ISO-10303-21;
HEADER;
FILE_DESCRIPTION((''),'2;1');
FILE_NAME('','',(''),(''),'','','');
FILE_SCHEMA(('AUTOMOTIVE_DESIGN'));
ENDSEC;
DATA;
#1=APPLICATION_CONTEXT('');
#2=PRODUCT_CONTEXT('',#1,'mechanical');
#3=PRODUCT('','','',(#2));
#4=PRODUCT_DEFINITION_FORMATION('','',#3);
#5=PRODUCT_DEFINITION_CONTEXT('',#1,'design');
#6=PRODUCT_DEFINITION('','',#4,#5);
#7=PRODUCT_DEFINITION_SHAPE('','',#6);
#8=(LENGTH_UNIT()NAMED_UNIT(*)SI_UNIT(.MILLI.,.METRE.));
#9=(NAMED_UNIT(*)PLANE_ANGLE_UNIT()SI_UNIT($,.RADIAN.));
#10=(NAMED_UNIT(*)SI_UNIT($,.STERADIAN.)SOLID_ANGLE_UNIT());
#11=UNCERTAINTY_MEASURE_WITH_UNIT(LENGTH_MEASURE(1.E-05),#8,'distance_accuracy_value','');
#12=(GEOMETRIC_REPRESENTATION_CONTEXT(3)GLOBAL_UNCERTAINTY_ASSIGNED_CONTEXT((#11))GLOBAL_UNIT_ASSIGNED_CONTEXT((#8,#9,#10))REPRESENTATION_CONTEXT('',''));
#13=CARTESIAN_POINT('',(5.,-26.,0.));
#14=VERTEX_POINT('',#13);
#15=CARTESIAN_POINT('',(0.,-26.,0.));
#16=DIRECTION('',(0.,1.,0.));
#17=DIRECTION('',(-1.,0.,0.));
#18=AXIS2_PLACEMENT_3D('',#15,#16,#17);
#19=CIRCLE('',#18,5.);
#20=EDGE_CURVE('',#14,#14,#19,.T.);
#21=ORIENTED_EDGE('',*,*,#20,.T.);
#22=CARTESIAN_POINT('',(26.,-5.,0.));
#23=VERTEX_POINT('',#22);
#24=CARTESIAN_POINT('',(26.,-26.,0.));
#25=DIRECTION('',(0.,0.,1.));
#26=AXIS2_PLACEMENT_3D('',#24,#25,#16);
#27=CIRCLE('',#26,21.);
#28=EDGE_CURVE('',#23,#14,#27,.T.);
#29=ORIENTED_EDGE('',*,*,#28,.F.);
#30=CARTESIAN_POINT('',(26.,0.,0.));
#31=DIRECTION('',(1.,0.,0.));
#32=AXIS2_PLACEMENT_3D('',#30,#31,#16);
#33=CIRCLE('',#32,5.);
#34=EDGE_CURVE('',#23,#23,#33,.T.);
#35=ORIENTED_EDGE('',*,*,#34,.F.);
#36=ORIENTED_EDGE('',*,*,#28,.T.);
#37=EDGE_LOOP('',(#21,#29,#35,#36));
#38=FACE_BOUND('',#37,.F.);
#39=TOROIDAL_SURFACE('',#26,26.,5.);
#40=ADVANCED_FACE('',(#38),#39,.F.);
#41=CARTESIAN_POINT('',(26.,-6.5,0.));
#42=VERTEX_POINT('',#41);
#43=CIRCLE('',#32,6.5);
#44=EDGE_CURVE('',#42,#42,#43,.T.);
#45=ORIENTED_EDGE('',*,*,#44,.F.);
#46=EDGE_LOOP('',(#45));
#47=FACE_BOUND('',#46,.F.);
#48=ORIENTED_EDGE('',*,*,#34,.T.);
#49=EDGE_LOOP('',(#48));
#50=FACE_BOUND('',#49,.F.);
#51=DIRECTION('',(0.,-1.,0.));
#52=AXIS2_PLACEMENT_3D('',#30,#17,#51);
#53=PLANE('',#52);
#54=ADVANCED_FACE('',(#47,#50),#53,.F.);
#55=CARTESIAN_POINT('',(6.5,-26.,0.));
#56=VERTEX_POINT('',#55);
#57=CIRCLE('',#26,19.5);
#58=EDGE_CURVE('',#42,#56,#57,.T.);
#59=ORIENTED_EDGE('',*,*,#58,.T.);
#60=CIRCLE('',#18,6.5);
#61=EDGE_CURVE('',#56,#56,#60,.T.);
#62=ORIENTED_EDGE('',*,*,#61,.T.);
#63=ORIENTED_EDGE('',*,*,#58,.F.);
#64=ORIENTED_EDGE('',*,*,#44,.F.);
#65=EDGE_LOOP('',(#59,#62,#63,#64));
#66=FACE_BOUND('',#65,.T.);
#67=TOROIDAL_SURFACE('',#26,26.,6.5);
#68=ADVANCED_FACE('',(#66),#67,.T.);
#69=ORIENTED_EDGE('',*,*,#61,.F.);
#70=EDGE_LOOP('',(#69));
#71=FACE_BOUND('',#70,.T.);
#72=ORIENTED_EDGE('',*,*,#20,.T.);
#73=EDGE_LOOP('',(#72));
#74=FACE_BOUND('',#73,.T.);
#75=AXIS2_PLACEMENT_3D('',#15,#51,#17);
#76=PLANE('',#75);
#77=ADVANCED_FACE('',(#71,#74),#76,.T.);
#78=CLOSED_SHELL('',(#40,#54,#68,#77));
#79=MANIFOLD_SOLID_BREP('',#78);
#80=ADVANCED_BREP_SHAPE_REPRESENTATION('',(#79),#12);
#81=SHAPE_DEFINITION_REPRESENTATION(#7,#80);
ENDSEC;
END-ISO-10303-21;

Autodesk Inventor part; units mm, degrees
ref_plane "YZ Plane" through (0, 0, 0) normal (1, 0, 0) x (0, 1, 0)
ref_plane "XZ Plane" through (0, 0, 0) normal (0, 1, 0) x (-1, 0, 0)
sketch "Szkic6" plane through (0, 0, 0) normal (0, 0, 1) x (1, 0, 0)
  line L0 (-29.6067, 0) -> (35.2678, 0) construction
  line L1 (0, 42.3419) -> (0, -58.3726) construction
  arc A0 (26, 0) -> (0, -26) centre (26, -26) ccw
  line L2 (0, -26) -> (26, -26) construction
  line L3 (26, -26) -> (26, 39.5331) construction
  line L4 (26, 0) -> (26, 0)
  line L5 (0, -26) -> (0, -26)
  point P0 (0, 0)
  dimension "d24" = 26
  dimension "d31" = 90
  dimension "d36" = 0
  dimension "d37" = 0
ref_plane "Płaszczyzna konstrukcyjna2" through (0, -26, 0) normal (0, -1, 0) x (1, 0, 0)
sketch "Szkic8" plane through (0, -26, 0) normal (0, -1, 0) x (1, 0, 0)
  circle A0 centre (0, 0) radius 6.5
  circle A1 centre (0, 0) radius 5
  dimension "d32" = 13
  dimension "d33" = 1.5
sweep "Przeciągnięcie2" add profiles "Szkic8" path "Szkic6"
equation "\"d32\" = OD"
equation "\"d33\" = THK"
equation "\"d24\" = R"
equation "\"d31\" = KAT"
equation "\"SzerokośćGięciaPodcięcia\" = Grubość"
equation "\"RozmiarPodcięciaNarożnika\" = 4 * Grubość"
equation "\"PromieńPrzejścia\" = PromieńGięcia"
equation "\"Rozmiar_promienia_Jacobiego\" = PromieńGięcia"
equation "\"Wielk_odstępu\" = Grubość"
equation "\"d2\" = PromieńGięcia"
equation "\"d23\" = PromieńGięcia"
equation "\"R\" = 26"
equation "\"OD\" = 13"
equation "\"THK\" = 1.5"
equation "\"KAT\" = 90deg"
equation "\"PROSTKA\" = 0"
equation "\"Grubość\" = 1.5"
equation "\"PromieńGięcia\" = 3"
properties part number "Kolano 90° ø13x1,5 R26" material "304L"
